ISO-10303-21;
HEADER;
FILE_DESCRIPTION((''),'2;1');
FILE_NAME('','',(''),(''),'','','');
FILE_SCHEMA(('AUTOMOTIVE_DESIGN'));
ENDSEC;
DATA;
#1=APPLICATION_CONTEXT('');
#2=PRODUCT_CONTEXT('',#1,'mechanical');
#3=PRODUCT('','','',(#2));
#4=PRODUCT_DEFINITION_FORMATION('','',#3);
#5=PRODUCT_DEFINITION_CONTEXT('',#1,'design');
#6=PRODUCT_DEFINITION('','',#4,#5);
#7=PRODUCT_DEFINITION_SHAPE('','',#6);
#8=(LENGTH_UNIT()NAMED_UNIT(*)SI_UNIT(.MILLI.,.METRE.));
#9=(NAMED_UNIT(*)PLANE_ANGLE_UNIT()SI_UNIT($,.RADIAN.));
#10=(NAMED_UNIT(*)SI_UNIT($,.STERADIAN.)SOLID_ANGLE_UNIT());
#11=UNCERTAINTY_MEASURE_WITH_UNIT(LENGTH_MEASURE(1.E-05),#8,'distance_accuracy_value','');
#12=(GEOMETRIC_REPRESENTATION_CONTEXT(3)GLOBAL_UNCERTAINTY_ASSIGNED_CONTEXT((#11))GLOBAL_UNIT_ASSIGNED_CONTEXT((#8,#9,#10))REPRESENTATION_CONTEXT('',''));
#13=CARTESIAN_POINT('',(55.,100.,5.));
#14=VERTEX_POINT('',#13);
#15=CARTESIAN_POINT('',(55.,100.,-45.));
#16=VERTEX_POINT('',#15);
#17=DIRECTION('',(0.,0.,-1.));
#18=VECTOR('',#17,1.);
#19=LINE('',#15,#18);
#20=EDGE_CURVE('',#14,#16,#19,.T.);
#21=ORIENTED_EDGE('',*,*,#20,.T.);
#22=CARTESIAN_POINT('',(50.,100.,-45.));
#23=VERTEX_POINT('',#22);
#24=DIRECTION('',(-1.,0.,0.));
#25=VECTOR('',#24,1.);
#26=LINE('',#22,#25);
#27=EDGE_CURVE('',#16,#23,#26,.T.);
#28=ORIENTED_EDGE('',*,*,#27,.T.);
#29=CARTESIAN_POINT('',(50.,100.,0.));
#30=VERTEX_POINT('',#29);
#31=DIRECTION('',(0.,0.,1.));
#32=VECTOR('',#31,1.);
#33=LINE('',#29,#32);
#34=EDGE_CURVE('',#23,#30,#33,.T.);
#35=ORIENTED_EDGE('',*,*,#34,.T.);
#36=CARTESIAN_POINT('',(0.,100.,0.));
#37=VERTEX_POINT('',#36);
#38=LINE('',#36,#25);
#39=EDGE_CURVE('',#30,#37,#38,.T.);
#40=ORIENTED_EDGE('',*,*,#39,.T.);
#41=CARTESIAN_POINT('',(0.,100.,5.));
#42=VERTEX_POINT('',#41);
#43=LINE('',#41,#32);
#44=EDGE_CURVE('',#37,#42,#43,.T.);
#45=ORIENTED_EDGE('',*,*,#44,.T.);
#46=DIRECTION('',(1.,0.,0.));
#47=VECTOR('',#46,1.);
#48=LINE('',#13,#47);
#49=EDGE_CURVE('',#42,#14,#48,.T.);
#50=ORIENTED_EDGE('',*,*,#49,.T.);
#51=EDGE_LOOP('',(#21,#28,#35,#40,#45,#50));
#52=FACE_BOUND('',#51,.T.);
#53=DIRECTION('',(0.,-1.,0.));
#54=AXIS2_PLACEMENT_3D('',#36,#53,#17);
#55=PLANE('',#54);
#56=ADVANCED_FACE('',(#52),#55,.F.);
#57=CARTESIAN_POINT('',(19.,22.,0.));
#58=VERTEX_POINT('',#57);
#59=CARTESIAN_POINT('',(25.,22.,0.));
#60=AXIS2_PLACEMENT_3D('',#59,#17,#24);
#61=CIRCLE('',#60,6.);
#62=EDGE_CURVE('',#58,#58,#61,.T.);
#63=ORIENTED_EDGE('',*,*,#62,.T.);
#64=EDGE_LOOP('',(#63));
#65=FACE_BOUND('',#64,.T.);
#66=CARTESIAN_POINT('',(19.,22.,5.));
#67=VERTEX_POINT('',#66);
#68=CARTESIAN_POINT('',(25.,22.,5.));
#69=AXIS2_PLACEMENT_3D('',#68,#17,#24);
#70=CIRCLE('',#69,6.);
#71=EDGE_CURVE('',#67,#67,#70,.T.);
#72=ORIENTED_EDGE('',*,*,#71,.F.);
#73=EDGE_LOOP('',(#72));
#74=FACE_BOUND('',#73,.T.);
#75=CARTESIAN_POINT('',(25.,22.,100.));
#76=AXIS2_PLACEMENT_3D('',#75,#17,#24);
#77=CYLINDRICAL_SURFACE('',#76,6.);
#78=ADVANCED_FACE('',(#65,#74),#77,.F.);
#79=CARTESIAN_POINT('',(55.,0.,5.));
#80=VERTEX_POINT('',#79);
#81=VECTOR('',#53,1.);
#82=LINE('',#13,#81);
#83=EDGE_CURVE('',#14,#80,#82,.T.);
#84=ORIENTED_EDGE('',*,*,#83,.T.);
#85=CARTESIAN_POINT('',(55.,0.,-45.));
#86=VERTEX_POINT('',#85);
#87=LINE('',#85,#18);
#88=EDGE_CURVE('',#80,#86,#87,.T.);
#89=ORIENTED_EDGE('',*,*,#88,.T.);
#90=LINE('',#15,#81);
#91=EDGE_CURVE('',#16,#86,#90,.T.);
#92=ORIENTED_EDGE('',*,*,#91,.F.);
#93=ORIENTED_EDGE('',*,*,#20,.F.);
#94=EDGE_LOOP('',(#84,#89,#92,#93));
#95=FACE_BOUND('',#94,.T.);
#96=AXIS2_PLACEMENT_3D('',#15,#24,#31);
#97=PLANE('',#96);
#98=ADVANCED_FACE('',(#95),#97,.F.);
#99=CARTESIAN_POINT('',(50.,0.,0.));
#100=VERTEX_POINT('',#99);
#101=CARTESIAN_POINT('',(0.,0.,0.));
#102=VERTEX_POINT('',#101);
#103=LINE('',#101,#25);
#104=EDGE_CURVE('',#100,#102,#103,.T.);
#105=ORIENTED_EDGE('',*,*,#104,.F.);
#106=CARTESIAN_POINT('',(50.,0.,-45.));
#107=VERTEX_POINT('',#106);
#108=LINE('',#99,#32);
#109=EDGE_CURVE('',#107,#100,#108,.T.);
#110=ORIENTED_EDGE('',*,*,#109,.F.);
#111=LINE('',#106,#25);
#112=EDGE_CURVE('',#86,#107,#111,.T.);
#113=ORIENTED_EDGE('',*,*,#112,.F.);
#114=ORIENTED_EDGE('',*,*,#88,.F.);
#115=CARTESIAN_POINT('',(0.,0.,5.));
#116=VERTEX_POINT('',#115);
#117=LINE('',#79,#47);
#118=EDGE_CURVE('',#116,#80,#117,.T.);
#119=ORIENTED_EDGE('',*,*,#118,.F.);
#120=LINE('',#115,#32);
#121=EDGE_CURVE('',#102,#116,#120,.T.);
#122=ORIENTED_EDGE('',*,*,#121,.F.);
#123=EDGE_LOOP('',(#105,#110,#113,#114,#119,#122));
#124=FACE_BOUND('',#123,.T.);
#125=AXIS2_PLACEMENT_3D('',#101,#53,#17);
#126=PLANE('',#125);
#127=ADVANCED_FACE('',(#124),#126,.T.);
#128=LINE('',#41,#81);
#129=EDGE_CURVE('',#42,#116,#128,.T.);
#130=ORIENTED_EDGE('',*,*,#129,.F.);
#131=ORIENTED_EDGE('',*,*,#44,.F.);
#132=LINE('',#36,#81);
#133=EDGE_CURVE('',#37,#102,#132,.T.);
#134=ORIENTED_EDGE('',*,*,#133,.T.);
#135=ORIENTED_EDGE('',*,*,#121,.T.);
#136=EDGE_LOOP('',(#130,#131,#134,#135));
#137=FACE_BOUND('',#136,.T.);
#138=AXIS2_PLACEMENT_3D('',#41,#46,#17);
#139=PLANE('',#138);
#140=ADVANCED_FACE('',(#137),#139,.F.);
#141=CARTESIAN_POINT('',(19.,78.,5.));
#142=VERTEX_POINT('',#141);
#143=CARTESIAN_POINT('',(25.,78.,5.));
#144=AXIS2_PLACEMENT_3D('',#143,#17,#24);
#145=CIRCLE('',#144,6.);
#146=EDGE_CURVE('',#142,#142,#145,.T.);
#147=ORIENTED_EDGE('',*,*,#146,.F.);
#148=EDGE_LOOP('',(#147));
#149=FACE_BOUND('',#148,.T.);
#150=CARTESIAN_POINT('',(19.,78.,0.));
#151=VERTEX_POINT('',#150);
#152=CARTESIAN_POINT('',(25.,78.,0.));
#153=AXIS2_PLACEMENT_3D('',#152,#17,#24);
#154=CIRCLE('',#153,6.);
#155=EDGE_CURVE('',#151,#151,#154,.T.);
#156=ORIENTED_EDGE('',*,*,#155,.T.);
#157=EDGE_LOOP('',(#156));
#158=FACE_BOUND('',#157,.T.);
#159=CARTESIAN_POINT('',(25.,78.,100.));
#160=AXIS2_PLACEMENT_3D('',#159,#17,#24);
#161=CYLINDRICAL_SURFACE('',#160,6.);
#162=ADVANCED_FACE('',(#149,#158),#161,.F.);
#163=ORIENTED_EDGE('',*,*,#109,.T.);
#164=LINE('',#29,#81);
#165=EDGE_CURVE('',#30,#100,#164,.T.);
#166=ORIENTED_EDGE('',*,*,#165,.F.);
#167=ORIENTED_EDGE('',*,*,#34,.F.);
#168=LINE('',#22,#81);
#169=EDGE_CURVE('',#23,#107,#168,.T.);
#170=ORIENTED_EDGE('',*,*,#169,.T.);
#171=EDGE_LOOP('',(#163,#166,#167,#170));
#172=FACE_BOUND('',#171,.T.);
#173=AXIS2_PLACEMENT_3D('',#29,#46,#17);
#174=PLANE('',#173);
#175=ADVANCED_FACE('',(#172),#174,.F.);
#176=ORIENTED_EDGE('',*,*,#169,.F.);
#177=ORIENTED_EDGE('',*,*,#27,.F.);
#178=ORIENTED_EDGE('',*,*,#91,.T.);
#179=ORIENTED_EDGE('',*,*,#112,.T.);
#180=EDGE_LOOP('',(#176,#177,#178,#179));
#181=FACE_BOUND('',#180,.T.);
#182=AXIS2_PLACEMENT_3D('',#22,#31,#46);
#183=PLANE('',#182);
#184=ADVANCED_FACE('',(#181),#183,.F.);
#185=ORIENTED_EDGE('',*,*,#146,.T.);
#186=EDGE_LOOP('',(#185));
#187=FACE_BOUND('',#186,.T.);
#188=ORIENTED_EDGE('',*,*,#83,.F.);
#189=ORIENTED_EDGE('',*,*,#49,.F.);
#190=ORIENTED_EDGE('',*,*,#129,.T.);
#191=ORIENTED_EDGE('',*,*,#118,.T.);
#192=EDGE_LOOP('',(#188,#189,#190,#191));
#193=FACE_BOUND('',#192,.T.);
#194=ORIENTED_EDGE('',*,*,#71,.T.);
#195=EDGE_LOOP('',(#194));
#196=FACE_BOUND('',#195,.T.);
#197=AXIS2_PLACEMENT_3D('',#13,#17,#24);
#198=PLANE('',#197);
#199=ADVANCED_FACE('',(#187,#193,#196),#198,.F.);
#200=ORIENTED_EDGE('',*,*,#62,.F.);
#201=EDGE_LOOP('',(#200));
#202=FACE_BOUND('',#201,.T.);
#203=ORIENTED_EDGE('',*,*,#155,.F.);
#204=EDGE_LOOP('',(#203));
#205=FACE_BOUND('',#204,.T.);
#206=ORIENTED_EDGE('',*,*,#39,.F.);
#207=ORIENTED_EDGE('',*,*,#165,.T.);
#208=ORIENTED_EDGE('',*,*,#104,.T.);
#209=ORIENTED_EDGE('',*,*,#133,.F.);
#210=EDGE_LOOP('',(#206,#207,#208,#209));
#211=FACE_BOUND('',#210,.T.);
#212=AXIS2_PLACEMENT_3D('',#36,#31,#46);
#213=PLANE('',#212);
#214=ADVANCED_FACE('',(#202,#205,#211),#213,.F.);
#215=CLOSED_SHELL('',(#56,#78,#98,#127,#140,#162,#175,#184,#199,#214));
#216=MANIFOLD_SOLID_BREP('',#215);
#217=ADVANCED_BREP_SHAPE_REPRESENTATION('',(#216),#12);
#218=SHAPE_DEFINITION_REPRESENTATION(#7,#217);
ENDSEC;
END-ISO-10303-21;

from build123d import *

# Parameters (mm, degrees)
BOSS_EXTRUDE2_DEPTH = 100
CUT_EXTRUDE1_DEPTH  = 100


with BuildPart() as part:
    # Sketch1 → Boss-Extrude2 (new body)
    with BuildSketch(Plane(origin=(0, 0, 0), x_dir=(1, 0, 0), z_dir=(0, 1, 0))):
        Polygon((0, 0), (50, 0), (50, 45), (55, 45), (55, -5), (0, -5), align=None)
    extrude(amount=BOSS_EXTRUDE2_DEPTH)

    # Sketch2 → Cut-Extrude1 (cut)
    with BuildSketch(Plane(origin=(0, 0, 0), x_dir=(-1, 0, 0), z_dir=(0, 0, -1))):
        with BuildLine():
            ThreePointArc((-25, 28), (-31, 22), (-25, 16))
            Line((-25, 16), (-25, 28))
        make_face()
        with BuildLine():
            Line((-25, 28), (-25, 16))
            ThreePointArc((-25, 16), (-20.757359313, 17.757359313), (-19, 22))
            ThreePointArc((-19, 22), (-20.757359313, 26.242640687), (-25, 28))
        make_face()
        with BuildLine():
            ThreePointArc((-25, 84), (-31, 78), (-25, 72))
            Line((-25, 72), (-25, 84))
        make_face()
        with BuildLine():
            Line((-25, 84), (-25, 72))
            ThreePointArc((-25, 72), (-20.757359313, 73.757359313), (-19, 78))
            ThreePointArc((-19, 78), (-20.757359313, 82.242640687), (-25, 84))
        make_face()
    extrude(amount=-CUT_EXTRUDE1_DEPTH, mode=Mode.SUBTRACT)


solid = part.part
